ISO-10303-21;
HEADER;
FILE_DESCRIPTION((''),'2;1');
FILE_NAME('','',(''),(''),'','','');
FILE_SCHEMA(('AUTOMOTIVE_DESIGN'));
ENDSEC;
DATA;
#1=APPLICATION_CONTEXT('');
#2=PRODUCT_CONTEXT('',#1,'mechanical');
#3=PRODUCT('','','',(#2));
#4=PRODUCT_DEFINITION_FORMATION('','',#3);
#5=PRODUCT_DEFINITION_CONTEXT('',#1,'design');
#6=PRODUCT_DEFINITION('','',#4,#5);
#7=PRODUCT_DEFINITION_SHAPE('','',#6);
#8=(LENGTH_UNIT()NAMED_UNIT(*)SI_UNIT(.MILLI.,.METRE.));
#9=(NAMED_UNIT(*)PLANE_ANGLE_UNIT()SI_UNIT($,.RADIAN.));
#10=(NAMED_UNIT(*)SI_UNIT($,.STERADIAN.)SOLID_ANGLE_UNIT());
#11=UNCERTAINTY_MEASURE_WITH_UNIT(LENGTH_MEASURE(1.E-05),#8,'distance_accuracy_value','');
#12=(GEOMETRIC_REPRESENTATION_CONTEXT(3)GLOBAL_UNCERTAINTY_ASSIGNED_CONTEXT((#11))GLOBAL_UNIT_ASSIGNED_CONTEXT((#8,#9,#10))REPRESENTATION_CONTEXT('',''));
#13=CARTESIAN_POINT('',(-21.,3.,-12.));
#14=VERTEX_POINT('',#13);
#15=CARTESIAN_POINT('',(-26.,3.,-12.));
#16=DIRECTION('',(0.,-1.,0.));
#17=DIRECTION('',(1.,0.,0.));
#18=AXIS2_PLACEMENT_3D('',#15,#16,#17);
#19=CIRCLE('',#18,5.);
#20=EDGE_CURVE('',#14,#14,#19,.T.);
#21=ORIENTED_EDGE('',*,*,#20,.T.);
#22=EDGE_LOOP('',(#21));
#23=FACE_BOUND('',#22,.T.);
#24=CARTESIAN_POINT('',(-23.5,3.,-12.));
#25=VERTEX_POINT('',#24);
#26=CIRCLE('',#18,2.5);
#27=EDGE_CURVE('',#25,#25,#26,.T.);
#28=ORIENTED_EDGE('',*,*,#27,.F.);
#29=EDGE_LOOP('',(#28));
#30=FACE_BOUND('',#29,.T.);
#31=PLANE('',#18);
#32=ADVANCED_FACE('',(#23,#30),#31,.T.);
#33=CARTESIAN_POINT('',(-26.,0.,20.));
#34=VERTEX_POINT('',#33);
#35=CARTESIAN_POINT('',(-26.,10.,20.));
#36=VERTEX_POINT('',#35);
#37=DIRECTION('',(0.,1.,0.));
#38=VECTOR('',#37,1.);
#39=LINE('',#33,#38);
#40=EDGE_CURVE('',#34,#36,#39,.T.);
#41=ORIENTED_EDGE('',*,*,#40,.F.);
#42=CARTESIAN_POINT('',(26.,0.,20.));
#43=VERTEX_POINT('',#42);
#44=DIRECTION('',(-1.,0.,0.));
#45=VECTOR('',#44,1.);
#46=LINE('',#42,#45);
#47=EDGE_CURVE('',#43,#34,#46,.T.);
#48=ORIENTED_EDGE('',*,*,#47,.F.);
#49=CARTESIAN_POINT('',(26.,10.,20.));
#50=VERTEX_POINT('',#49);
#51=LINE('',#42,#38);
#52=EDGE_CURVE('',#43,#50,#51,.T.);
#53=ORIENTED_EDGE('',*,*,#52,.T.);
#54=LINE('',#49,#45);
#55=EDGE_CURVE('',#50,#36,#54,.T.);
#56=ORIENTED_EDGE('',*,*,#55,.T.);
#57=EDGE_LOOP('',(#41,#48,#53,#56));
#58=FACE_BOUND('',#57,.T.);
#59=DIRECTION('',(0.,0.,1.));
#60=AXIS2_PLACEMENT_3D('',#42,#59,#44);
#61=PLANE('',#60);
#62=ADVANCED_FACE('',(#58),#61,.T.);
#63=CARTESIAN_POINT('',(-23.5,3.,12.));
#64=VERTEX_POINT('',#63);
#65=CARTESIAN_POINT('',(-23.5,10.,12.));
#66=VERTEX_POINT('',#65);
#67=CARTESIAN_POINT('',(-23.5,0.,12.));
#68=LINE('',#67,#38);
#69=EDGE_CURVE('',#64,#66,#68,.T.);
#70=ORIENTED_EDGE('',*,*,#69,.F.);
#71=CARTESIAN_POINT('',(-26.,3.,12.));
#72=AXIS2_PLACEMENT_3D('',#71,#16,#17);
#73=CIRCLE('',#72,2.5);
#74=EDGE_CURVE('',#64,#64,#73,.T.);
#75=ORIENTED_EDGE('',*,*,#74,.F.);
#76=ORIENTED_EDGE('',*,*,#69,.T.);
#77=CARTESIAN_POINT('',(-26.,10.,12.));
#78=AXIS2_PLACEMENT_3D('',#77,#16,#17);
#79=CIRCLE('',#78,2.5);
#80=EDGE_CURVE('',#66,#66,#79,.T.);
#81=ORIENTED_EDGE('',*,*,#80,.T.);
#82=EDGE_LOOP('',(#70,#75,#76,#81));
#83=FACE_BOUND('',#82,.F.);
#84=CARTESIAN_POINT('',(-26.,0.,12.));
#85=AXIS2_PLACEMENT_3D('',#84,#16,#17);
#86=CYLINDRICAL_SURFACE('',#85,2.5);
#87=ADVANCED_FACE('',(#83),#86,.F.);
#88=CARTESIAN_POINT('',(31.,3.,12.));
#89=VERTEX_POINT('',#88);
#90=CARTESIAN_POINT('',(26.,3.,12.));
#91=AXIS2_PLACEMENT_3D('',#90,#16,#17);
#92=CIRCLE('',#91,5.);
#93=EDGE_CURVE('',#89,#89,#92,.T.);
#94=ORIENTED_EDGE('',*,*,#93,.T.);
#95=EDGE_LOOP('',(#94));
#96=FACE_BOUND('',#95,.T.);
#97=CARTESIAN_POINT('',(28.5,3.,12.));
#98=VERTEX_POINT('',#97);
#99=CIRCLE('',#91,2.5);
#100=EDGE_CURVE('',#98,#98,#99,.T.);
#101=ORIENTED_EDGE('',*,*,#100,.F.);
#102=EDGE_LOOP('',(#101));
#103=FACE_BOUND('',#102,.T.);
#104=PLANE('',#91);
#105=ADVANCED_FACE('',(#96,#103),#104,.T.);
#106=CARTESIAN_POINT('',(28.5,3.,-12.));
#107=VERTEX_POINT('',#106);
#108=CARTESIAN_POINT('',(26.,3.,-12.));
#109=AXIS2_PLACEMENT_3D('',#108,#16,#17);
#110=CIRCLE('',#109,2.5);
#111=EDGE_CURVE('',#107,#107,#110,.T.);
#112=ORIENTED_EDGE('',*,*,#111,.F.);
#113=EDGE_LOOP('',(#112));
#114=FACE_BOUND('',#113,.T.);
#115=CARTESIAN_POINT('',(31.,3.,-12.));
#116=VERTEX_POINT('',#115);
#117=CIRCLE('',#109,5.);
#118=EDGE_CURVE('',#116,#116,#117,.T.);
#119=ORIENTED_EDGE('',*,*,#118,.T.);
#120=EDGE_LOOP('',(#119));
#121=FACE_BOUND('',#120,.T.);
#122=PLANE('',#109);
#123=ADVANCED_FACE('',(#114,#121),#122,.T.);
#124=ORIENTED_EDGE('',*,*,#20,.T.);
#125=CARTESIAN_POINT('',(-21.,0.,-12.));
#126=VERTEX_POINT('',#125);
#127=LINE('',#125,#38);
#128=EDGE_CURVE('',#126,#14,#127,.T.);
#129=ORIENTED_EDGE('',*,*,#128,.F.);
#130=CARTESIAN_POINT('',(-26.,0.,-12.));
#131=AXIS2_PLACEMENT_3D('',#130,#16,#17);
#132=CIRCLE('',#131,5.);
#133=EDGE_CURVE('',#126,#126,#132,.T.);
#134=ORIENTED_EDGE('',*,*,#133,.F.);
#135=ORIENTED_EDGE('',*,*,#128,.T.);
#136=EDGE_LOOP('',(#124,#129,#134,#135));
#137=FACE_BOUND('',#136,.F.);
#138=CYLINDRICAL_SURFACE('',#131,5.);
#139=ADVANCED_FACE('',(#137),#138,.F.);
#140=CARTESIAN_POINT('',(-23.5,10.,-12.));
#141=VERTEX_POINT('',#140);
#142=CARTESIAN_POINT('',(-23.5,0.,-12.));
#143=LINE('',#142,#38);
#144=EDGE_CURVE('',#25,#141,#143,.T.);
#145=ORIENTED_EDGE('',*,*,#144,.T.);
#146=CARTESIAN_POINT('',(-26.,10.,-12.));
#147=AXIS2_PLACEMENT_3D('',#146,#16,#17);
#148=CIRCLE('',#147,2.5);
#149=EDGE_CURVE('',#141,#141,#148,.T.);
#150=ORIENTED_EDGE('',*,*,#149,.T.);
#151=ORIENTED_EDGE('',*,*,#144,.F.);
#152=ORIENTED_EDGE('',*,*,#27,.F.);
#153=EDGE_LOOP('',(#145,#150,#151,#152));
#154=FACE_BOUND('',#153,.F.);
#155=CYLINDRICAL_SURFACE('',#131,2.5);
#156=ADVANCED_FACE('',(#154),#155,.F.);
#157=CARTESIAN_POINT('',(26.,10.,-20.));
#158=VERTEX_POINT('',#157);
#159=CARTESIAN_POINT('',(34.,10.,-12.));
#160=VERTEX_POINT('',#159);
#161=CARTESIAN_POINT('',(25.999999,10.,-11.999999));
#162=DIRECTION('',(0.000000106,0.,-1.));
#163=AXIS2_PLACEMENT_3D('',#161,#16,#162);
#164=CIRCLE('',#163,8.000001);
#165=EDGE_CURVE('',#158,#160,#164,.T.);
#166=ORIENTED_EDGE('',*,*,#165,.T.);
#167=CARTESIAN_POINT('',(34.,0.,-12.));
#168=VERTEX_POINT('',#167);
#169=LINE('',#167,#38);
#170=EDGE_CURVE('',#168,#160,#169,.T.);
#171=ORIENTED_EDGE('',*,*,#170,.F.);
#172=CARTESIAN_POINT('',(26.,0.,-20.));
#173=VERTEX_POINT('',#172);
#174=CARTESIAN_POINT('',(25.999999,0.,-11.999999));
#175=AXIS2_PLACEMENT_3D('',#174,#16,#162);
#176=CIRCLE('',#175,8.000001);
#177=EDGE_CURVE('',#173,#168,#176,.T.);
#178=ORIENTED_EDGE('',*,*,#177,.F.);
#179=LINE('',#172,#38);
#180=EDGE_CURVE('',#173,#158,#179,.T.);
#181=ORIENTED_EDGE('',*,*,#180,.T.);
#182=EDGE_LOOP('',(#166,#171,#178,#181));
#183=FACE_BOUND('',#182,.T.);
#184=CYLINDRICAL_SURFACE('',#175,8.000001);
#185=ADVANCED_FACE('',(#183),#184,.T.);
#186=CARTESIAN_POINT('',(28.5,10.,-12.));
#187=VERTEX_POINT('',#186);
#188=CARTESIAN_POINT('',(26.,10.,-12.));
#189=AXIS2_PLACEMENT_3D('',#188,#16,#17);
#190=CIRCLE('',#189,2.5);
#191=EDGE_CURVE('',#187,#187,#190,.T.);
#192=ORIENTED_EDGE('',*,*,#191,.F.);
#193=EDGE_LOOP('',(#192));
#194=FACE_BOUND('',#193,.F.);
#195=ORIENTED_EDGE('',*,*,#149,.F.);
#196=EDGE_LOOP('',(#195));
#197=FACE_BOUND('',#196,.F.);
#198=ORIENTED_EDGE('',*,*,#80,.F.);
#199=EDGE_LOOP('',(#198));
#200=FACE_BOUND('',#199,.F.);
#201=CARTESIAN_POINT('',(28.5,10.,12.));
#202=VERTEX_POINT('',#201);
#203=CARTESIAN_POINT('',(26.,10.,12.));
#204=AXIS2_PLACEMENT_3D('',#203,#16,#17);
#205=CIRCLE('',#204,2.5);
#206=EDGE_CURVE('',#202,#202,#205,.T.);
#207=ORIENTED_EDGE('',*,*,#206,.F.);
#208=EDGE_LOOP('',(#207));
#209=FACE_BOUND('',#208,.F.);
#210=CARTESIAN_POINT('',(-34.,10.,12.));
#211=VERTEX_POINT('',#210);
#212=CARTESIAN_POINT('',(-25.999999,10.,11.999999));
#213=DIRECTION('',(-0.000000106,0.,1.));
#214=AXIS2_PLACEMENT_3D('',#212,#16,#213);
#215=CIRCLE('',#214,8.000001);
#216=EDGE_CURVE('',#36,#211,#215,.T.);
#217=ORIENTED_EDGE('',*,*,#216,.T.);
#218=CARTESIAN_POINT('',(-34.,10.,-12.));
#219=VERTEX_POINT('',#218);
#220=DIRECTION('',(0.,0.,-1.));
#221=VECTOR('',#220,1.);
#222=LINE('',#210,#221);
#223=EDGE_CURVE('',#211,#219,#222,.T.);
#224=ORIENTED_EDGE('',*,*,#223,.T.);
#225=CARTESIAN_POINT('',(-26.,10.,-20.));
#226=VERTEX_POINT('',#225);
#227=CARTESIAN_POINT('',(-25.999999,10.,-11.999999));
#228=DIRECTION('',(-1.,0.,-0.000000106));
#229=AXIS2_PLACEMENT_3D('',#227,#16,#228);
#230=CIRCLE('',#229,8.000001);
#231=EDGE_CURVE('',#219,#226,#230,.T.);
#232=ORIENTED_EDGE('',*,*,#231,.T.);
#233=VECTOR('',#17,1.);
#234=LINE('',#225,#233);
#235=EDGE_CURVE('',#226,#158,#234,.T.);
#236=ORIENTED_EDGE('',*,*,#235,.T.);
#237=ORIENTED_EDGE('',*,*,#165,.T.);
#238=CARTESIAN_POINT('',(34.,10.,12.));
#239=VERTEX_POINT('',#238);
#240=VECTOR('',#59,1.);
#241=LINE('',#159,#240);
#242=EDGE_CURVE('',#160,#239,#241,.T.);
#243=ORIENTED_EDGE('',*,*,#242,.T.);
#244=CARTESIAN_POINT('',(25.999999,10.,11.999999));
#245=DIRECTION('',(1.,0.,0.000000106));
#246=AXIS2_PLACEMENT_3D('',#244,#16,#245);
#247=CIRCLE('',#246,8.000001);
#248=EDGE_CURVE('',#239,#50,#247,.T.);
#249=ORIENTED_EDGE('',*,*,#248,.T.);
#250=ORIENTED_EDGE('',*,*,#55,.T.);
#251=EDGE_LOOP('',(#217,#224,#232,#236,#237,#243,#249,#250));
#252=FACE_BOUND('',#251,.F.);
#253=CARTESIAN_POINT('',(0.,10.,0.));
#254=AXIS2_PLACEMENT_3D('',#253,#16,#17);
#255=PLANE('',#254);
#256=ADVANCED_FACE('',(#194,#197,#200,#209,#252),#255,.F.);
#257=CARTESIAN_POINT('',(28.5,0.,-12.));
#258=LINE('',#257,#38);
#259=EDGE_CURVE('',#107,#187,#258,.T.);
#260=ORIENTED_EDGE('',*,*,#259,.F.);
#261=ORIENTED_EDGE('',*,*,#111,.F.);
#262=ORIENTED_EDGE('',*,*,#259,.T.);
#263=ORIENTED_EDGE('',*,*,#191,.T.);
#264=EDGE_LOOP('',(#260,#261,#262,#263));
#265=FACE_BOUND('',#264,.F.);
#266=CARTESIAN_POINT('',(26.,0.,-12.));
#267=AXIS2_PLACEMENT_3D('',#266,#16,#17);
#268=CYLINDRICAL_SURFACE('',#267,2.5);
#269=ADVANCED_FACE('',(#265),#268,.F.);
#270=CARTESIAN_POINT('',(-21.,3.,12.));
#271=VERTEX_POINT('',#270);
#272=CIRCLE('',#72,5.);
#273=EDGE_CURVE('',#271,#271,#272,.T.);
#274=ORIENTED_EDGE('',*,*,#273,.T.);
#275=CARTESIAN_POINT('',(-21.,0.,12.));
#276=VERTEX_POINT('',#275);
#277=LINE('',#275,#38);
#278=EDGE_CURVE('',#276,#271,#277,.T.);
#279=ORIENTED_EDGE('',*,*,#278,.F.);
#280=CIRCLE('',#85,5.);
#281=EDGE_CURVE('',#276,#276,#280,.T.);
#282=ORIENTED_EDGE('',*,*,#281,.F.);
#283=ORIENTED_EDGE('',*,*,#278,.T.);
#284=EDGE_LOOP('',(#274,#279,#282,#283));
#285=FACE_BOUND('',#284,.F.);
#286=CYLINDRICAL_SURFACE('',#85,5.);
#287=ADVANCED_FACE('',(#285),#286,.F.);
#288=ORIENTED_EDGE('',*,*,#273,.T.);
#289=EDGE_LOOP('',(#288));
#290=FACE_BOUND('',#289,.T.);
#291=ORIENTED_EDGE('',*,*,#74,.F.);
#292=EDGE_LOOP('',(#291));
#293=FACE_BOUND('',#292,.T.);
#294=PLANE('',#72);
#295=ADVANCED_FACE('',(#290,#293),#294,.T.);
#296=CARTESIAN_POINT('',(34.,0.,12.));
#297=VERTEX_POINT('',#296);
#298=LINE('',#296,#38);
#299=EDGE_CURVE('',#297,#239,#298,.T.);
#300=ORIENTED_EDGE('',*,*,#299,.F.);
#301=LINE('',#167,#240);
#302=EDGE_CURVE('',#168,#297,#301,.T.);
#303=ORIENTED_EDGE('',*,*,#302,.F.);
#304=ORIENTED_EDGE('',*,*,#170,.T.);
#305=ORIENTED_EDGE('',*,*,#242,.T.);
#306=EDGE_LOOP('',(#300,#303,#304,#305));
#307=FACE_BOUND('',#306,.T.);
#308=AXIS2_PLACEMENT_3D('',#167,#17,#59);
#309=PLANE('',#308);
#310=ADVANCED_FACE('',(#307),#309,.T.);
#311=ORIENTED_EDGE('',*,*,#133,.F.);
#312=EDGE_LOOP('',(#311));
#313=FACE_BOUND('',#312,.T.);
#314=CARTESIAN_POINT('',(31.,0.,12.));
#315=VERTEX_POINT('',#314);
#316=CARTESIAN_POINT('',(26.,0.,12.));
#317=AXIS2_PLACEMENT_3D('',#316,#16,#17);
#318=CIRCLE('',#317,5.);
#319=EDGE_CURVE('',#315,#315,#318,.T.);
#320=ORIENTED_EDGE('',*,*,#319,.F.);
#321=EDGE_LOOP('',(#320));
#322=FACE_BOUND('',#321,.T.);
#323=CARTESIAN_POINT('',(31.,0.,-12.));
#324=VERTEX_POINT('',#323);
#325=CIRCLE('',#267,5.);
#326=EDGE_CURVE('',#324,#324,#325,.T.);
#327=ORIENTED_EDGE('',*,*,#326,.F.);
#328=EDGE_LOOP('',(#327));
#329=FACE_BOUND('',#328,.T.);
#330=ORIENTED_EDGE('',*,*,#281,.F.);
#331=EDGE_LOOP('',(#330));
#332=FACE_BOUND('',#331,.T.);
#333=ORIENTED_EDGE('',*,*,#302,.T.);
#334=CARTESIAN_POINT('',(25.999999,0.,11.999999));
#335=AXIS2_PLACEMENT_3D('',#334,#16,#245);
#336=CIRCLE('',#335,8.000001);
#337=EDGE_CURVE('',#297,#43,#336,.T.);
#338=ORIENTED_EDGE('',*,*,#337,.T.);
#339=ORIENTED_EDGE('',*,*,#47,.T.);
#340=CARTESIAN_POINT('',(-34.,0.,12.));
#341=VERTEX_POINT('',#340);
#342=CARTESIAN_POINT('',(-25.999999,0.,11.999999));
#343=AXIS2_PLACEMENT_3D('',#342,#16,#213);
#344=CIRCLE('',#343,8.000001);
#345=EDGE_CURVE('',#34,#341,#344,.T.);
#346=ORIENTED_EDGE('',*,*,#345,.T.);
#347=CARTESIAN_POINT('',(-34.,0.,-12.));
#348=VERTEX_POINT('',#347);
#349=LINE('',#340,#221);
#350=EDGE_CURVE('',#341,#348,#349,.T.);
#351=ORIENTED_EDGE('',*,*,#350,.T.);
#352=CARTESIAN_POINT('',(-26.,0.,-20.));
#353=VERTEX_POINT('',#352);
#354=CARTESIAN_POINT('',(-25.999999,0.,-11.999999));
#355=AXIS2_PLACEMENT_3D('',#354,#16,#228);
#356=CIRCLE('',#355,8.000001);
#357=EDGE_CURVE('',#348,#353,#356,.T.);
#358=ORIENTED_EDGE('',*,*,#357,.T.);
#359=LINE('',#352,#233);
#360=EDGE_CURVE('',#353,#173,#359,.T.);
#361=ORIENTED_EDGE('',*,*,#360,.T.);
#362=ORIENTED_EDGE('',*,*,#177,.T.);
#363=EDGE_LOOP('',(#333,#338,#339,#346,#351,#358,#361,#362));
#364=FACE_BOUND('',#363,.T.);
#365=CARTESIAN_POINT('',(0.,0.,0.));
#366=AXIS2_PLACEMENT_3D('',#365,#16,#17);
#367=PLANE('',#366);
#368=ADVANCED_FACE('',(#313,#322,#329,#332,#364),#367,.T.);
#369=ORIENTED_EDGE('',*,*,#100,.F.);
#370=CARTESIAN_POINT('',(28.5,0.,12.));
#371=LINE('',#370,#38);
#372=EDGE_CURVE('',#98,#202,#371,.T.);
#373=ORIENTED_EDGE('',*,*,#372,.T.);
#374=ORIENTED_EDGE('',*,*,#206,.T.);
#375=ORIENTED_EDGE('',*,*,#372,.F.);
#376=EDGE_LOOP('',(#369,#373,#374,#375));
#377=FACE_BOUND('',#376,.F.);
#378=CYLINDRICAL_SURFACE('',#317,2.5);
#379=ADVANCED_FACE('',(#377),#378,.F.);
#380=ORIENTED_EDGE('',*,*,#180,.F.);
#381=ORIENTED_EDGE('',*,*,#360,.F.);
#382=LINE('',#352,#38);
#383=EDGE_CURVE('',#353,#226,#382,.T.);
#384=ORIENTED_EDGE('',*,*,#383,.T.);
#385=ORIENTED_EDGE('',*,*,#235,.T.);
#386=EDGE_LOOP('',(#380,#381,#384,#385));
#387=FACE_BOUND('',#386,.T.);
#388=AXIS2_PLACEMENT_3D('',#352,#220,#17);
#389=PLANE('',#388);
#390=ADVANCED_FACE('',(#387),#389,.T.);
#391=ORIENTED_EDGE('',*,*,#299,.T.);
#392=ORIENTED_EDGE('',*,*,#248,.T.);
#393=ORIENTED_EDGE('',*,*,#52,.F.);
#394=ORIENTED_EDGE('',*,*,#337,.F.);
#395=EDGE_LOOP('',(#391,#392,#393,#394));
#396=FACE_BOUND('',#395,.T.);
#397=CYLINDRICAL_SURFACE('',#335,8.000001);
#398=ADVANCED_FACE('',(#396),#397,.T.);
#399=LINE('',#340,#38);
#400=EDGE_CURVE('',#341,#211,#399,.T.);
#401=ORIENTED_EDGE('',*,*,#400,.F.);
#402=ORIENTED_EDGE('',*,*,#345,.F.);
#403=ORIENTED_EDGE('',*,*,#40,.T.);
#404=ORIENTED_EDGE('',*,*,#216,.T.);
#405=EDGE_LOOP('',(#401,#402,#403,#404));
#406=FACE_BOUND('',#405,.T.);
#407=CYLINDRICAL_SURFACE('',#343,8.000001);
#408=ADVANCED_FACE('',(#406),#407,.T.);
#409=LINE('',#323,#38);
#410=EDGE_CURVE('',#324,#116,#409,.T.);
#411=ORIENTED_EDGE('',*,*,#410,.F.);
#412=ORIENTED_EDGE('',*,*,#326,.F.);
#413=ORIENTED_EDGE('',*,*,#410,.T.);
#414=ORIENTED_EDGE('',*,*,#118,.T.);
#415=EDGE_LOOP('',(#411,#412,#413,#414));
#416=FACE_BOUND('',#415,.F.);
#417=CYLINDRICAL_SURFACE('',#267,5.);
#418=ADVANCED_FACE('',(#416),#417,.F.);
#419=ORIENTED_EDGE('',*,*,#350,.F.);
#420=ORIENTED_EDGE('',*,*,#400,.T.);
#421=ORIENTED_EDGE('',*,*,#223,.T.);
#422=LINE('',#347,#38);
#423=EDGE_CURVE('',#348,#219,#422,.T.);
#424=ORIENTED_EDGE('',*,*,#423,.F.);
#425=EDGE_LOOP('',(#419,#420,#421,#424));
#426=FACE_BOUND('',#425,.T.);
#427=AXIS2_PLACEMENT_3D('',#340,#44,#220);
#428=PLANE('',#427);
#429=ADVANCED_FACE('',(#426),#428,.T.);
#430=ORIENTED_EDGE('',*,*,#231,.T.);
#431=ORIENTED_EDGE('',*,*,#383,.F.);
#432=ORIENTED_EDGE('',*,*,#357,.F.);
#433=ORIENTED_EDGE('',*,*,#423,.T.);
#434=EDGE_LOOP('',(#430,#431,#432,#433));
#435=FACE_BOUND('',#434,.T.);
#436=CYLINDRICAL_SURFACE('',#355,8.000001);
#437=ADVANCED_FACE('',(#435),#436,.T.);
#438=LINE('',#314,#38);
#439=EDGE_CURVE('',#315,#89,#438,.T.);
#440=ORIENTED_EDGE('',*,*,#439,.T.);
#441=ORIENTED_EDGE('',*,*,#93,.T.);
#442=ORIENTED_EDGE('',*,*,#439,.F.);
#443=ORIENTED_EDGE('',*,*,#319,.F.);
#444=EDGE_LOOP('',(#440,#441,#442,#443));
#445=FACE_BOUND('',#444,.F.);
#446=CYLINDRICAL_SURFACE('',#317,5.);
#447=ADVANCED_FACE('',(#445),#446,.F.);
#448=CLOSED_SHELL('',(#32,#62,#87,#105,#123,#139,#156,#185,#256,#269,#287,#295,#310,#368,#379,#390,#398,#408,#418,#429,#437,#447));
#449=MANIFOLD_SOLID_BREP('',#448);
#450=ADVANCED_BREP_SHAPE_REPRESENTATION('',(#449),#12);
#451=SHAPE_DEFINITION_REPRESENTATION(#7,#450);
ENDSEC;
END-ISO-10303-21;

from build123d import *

# Parameters (mm, degrees)
F0_R     = 5
F0_R_2   = 2.5
F0_W     = 28
F0_H     = 8
F1_DEPTH = 10
F2_DEPTH = 3


with BuildPart() as f1:
    # F0 (on Front) → F1 (new body)
    with BuildSketch(Plane.XZ):
        with BuildLine():
            Line((-14, 20), (-26, 20))
            ThreePointArc((-26, 20), (-31.656854, 17.656854), (-34, 12))
            Line((-34, 12), (-34, -12))
            ThreePointArc((-34, -12), (-31.656854, -17.656854), (-26, -20))
            Line((-26, -20), (-14, -20))
            Line((-14, -20), (-14, -12))
            Line((-14, -12), (14, -12))
            Line((14, -12), (14, -20))
            Line((14, -20), (26, -20))
            ThreePointArc((26, -20), (31.656854, -17.656854), (34, -12))
            Line((34, -12), (34, 12))
            ThreePointArc((34, 12), (31.656854, 17.656854), (26, 20))
            Line((26, 20), (14, 20))
            Line((14, 20), (14, 12))
            Line((14, 12), (-14, 12))
            Line((-14, 12), (-14, 20))
        make_face()
        with Locations((-26, -12)):
            Circle(F0_R, mode=Mode.SUBTRACT)
        with Locations((26, -12)):
            Circle(F0_R, mode=Mode.SUBTRACT)
        with Locations((-26, 12)):
            Circle(F0_R, mode=Mode.SUBTRACT)
        with Locations((26, 12)):
            Circle(F0_R, mode=Mode.SUBTRACT)
        with Locations((-26, 12)):
            Circle(F0_R)
        with Locations((-26, 12)):
            Circle(F0_R_2, mode=Mode.SUBTRACT)
        with Locations((26, 12)):
            Circle(F0_R)
        with Locations((26, 12)):
            Circle(F0_R_2, mode=Mode.SUBTRACT)
        with Locations((26, -12)):
            Circle(F0_R)
        with Locations((26, -12)):
            Circle(F0_R_2, mode=Mode.SUBTRACT)
        with Locations((-26, -12)):
            Circle(F0_R)
        with Locations((-26, -12)):
            Circle(F0_R_2, mode=Mode.SUBTRACT)
        with Locations((0, -16)):
            Rectangle(F0_W, F0_H)
        with Locations((0, 16)):
            Rectangle(F0_W, F0_H)
    extrude(amount=-F1_DEPTH)

    # F0 (on Front) → F2 (cut)
    with BuildSketch(Plane.XZ):
        with Locations((-26, 12)):
            Circle(F0_R)
        with Locations((-26, 12)):
            Circle(F0_R_2, mode=Mode.SUBTRACT)
        with Locations((26, 12)):
            Circle(F0_R)
        with Locations((26, 12)):
            Circle(F0_R_2, mode=Mode.SUBTRACT)
        with Locations((26, -12)):
            Circle(F0_R)
        with Locations((26, -12)):
            Circle(F0_R_2, mode=Mode.SUBTRACT)
        with Locations((-26, -12)):
            Circle(F0_R)
        with Locations((-26, -12)):
            Circle(F0_R_2, mode=Mode.SUBTRACT)
    extrude(amount=-F2_DEPTH, mode=Mode.SUBTRACT)


solid = f1.part
